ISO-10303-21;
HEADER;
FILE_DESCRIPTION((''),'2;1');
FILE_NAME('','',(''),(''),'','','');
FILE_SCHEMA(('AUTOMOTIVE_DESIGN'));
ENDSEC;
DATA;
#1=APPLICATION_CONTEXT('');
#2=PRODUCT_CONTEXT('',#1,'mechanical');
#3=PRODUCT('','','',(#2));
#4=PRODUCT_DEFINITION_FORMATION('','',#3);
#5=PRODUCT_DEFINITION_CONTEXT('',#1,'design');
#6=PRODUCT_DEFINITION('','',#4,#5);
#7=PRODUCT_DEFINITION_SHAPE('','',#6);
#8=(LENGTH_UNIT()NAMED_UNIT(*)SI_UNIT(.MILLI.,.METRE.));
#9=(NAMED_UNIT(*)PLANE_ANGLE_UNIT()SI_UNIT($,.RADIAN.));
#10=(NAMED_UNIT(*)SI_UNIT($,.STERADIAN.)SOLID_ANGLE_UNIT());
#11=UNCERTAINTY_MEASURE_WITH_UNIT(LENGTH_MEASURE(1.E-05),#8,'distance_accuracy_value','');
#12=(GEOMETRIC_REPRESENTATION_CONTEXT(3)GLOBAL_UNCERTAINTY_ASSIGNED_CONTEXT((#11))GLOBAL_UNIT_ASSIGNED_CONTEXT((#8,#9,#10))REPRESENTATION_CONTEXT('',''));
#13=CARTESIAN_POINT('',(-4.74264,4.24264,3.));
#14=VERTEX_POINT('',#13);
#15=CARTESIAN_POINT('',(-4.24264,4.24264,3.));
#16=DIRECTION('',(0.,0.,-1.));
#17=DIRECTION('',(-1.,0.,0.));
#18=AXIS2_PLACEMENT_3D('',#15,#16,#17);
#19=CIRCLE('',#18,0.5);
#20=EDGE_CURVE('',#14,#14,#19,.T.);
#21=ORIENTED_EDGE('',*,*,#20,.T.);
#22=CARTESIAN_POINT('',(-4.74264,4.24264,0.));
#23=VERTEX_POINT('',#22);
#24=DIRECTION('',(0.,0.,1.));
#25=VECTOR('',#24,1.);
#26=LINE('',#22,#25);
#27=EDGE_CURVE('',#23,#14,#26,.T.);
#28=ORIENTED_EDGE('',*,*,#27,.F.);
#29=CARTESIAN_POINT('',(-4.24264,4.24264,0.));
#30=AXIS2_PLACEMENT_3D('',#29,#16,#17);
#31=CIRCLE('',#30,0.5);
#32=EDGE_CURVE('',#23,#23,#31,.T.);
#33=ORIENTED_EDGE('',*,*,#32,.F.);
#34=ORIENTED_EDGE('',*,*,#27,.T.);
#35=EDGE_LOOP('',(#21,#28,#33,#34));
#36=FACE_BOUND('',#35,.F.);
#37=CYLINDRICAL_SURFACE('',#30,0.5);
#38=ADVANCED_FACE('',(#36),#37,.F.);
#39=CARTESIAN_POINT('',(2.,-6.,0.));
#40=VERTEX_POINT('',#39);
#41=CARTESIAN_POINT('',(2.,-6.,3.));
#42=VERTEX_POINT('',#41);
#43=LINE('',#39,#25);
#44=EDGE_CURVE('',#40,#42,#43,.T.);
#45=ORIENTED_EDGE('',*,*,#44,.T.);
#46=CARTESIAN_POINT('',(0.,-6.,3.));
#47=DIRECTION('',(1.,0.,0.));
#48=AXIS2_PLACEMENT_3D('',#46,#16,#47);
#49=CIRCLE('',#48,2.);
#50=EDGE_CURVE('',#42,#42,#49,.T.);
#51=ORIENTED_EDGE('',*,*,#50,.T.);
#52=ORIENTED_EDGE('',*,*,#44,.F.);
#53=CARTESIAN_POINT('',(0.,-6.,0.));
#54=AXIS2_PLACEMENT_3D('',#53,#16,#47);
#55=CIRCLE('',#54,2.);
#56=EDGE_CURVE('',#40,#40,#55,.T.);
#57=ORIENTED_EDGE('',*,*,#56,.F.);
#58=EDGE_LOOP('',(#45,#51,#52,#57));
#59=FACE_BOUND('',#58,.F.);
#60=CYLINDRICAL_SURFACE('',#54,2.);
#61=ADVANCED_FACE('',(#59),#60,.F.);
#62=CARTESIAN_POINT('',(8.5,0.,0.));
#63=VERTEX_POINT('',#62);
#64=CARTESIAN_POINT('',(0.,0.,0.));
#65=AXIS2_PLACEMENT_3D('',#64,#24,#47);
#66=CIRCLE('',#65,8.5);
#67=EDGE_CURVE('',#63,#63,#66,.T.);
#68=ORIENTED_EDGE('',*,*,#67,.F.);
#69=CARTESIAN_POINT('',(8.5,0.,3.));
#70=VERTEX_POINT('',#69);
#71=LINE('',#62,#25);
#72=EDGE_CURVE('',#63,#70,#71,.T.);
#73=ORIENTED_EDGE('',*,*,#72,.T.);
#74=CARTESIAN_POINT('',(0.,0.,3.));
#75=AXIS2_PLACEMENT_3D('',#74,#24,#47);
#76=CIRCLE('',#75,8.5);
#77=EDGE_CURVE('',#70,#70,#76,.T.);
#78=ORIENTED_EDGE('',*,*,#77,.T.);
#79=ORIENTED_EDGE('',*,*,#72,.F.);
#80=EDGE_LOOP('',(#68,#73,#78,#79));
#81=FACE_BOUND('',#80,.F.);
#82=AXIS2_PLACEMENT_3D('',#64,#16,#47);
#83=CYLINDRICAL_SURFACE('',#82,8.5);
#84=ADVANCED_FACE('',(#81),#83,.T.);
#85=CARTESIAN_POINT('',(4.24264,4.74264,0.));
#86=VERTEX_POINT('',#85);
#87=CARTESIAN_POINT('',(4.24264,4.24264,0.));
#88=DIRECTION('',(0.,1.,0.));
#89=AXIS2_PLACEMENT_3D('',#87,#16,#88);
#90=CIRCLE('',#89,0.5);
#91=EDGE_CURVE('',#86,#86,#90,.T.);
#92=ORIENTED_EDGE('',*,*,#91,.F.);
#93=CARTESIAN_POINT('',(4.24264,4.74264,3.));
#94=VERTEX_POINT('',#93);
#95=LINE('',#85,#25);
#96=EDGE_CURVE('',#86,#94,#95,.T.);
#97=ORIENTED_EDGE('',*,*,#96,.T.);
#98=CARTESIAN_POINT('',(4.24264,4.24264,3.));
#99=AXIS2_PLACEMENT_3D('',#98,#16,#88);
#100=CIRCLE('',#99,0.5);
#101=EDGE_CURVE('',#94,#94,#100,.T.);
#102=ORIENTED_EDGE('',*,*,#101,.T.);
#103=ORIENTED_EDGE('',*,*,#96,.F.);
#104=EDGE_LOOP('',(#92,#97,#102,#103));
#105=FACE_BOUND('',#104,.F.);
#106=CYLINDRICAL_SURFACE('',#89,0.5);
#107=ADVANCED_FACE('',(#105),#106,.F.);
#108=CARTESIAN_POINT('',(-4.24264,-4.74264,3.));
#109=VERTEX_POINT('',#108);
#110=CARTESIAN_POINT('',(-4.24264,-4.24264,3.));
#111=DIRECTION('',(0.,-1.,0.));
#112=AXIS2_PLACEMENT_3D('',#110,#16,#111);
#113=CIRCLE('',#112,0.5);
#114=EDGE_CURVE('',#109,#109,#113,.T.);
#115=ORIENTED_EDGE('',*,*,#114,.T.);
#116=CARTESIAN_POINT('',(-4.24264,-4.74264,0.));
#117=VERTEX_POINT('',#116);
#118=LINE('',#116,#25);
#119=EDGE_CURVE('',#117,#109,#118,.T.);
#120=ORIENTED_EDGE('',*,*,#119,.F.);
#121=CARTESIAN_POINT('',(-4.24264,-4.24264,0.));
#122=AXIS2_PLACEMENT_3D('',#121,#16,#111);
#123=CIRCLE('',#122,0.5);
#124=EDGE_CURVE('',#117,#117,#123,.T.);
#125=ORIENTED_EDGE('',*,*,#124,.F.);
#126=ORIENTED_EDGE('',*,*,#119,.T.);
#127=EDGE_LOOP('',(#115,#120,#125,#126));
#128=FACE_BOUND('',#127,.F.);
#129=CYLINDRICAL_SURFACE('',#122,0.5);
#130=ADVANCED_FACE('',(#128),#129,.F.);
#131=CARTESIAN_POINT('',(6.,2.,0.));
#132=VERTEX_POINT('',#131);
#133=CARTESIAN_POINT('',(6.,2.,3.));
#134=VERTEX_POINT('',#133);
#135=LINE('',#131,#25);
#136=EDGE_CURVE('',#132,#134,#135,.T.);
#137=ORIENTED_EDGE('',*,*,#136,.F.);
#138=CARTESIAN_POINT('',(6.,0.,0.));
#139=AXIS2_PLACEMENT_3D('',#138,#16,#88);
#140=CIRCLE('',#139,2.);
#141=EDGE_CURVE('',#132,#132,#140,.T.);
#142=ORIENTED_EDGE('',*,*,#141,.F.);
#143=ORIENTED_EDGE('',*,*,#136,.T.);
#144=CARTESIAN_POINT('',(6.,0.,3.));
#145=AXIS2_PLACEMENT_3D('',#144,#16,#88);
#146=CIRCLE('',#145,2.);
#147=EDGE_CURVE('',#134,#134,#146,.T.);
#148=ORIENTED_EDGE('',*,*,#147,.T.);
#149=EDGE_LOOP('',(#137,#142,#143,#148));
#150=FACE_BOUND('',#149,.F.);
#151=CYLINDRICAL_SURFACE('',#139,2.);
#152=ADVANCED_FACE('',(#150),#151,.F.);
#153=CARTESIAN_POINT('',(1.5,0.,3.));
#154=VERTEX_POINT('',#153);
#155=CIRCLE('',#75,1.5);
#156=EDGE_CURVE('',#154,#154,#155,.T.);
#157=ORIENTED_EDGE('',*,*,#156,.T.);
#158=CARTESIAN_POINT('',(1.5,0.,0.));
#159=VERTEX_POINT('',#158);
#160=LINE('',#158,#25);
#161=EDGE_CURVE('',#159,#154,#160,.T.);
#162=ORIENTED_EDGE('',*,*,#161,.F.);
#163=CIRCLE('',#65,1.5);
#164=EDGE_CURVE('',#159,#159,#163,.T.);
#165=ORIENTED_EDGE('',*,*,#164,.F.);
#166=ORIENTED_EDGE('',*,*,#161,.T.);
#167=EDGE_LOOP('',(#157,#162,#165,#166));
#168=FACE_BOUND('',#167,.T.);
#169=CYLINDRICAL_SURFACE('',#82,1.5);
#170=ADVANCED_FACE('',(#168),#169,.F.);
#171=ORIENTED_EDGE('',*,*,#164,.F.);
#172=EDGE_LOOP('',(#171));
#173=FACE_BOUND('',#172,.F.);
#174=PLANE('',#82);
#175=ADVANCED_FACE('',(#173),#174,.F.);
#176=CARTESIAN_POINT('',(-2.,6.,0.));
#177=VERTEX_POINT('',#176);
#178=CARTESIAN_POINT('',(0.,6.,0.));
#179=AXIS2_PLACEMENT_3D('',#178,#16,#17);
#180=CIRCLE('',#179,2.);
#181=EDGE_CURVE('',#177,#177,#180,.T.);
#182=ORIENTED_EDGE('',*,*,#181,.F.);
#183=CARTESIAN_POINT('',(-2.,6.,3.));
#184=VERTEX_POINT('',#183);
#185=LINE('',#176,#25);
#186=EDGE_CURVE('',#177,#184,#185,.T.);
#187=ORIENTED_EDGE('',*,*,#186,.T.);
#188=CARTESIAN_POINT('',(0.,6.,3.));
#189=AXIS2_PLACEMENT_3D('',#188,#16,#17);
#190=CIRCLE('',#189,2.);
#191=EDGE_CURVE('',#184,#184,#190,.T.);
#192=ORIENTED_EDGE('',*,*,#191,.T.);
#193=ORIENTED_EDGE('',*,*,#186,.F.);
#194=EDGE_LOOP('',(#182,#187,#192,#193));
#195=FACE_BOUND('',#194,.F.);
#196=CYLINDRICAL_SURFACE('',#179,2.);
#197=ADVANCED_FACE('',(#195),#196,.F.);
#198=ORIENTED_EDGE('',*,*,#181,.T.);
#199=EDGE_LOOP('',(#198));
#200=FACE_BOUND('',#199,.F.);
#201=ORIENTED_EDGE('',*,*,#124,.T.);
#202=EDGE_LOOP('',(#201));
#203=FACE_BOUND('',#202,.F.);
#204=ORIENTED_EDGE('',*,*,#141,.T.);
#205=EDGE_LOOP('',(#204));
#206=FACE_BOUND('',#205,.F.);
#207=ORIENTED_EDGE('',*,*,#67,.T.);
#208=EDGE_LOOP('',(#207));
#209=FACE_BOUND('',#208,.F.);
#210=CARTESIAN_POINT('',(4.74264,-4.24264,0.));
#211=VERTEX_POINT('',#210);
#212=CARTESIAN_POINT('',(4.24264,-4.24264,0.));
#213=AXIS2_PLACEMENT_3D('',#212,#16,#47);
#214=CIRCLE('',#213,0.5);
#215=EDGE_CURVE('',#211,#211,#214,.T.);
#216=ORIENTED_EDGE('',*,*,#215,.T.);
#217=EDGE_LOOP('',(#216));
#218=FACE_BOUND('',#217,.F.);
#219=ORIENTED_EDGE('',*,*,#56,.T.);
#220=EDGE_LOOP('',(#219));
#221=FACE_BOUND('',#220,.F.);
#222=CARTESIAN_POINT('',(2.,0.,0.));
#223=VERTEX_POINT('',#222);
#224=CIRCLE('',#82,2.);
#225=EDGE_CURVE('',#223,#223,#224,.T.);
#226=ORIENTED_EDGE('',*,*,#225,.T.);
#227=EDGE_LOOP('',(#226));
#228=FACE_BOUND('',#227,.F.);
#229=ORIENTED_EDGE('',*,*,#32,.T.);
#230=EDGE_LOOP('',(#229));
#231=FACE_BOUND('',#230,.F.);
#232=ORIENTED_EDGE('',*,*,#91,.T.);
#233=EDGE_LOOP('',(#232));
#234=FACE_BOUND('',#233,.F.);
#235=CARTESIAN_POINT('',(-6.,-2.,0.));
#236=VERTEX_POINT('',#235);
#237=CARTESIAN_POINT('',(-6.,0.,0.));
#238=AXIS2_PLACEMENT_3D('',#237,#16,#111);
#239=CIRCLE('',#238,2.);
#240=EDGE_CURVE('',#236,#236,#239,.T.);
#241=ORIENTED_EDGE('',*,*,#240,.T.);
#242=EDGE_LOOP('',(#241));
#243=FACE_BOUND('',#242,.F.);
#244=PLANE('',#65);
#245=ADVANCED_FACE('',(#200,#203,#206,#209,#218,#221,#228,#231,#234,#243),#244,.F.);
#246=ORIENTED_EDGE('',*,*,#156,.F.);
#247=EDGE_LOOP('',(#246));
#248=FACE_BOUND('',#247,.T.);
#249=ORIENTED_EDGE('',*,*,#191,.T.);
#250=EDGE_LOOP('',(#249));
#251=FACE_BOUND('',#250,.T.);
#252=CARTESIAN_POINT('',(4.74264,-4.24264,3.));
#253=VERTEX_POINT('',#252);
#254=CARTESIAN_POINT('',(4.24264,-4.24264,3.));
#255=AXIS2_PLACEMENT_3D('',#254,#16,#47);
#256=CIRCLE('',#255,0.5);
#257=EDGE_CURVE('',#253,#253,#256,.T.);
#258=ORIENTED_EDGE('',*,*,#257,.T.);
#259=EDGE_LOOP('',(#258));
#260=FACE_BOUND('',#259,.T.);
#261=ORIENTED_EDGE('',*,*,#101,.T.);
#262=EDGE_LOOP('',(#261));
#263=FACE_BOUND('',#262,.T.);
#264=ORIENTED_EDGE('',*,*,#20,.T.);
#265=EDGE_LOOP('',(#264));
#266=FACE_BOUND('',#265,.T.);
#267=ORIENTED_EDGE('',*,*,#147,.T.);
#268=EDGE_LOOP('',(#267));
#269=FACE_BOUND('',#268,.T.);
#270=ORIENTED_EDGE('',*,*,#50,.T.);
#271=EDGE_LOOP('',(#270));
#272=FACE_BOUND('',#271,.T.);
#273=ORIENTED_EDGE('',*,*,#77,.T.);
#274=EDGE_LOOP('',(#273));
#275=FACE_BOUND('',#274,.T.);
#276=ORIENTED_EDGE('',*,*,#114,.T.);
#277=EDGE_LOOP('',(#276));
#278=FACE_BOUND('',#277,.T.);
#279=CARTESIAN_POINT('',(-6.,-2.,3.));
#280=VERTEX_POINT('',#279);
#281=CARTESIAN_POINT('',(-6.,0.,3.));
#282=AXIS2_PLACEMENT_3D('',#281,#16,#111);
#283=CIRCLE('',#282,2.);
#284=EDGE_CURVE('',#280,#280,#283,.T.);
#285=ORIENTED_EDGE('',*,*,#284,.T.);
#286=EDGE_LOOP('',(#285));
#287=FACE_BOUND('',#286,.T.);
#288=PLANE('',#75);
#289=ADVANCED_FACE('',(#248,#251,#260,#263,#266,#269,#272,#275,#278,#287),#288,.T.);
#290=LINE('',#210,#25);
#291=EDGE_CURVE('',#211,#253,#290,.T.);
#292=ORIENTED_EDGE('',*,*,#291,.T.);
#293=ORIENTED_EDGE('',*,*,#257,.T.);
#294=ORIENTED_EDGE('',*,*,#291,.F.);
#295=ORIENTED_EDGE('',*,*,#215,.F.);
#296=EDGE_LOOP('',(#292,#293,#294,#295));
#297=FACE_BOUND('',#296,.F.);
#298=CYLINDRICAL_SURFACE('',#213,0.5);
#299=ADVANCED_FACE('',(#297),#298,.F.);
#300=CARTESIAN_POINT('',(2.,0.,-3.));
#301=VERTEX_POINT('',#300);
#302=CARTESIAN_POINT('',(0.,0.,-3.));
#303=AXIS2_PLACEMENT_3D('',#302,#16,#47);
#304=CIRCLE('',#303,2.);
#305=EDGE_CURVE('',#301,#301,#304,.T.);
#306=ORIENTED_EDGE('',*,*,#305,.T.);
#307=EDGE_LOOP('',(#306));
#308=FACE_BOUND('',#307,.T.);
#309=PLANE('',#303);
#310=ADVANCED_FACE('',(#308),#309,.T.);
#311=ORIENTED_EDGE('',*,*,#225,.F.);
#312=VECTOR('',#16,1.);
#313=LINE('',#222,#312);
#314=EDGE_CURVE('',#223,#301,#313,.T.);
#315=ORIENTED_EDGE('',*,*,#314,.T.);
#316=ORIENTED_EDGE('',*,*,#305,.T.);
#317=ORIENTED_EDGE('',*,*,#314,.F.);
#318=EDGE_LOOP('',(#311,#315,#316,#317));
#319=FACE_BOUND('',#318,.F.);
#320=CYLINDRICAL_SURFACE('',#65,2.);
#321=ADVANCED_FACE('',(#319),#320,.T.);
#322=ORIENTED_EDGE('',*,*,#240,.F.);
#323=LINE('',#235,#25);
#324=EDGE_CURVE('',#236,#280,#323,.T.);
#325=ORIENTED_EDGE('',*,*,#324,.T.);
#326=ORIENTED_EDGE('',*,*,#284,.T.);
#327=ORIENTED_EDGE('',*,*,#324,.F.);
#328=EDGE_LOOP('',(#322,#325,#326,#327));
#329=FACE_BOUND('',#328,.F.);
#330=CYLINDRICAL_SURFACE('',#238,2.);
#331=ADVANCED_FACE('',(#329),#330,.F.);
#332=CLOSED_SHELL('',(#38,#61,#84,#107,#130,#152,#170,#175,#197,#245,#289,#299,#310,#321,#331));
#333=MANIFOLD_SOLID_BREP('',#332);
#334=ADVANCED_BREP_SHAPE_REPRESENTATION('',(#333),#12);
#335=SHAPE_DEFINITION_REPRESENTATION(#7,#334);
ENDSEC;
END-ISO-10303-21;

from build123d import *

# Parameters (mm, degrees)
SKETCH_R           = 8.5
SKETCH_R_2         = 1.5
PAD_DEPTH          = 3
SKETCH001_R        = 2
SKETCH001_R_2      = 0.5
POCKET_DEPTH       = 3
POLARPATTERN_COUNT = 4
SKETCH002_R        = 2
PAD001_DEPTH       = 3


with BuildPart() as part:
    # Sketch → Pad (new body)
    with BuildSketch(Plane.XY):
        Circle(SKETCH_R)
        Circle(SKETCH_R_2, mode=Mode.SUBTRACT)
    extrude(amount=PAD_DEPTH)

    # Sketch001 → Pocket (cut)
    with BuildSketch(Plane(origin=(0, 0, 0), x_dir=(1, 0, 0), z_dir=(0, 0, -1))):
        with Locations((0, 6)):
            Circle(SKETCH001_R)
        with Locations((4.24264, 4.24264)):
            Circle(SKETCH001_R_2)
    pocket = extrude(amount=-POCKET_DEPTH, mode=Mode.SUBTRACT)

    # PolarPattern: Pocket ×4 about axis
    polarpattern_axis = Axis((0, 0, 0), (0, 0, -1))
    for i in range(1, POLARPATTERN_COUNT):
        add(pocket.rotate(polarpattern_axis, i * 360 / POLARPATTERN_COUNT), mode=Mode.SUBTRACT)

    # Sketch002 → Pad001 (new body)
    with BuildSketch(Plane(origin=(0, 0, 0), x_dir=(1, 0, 0), z_dir=(0, 0, -1))):
        Circle(SKETCH002_R)
    extrude(amount=PAD001_DEPTH)


solid = part.part
